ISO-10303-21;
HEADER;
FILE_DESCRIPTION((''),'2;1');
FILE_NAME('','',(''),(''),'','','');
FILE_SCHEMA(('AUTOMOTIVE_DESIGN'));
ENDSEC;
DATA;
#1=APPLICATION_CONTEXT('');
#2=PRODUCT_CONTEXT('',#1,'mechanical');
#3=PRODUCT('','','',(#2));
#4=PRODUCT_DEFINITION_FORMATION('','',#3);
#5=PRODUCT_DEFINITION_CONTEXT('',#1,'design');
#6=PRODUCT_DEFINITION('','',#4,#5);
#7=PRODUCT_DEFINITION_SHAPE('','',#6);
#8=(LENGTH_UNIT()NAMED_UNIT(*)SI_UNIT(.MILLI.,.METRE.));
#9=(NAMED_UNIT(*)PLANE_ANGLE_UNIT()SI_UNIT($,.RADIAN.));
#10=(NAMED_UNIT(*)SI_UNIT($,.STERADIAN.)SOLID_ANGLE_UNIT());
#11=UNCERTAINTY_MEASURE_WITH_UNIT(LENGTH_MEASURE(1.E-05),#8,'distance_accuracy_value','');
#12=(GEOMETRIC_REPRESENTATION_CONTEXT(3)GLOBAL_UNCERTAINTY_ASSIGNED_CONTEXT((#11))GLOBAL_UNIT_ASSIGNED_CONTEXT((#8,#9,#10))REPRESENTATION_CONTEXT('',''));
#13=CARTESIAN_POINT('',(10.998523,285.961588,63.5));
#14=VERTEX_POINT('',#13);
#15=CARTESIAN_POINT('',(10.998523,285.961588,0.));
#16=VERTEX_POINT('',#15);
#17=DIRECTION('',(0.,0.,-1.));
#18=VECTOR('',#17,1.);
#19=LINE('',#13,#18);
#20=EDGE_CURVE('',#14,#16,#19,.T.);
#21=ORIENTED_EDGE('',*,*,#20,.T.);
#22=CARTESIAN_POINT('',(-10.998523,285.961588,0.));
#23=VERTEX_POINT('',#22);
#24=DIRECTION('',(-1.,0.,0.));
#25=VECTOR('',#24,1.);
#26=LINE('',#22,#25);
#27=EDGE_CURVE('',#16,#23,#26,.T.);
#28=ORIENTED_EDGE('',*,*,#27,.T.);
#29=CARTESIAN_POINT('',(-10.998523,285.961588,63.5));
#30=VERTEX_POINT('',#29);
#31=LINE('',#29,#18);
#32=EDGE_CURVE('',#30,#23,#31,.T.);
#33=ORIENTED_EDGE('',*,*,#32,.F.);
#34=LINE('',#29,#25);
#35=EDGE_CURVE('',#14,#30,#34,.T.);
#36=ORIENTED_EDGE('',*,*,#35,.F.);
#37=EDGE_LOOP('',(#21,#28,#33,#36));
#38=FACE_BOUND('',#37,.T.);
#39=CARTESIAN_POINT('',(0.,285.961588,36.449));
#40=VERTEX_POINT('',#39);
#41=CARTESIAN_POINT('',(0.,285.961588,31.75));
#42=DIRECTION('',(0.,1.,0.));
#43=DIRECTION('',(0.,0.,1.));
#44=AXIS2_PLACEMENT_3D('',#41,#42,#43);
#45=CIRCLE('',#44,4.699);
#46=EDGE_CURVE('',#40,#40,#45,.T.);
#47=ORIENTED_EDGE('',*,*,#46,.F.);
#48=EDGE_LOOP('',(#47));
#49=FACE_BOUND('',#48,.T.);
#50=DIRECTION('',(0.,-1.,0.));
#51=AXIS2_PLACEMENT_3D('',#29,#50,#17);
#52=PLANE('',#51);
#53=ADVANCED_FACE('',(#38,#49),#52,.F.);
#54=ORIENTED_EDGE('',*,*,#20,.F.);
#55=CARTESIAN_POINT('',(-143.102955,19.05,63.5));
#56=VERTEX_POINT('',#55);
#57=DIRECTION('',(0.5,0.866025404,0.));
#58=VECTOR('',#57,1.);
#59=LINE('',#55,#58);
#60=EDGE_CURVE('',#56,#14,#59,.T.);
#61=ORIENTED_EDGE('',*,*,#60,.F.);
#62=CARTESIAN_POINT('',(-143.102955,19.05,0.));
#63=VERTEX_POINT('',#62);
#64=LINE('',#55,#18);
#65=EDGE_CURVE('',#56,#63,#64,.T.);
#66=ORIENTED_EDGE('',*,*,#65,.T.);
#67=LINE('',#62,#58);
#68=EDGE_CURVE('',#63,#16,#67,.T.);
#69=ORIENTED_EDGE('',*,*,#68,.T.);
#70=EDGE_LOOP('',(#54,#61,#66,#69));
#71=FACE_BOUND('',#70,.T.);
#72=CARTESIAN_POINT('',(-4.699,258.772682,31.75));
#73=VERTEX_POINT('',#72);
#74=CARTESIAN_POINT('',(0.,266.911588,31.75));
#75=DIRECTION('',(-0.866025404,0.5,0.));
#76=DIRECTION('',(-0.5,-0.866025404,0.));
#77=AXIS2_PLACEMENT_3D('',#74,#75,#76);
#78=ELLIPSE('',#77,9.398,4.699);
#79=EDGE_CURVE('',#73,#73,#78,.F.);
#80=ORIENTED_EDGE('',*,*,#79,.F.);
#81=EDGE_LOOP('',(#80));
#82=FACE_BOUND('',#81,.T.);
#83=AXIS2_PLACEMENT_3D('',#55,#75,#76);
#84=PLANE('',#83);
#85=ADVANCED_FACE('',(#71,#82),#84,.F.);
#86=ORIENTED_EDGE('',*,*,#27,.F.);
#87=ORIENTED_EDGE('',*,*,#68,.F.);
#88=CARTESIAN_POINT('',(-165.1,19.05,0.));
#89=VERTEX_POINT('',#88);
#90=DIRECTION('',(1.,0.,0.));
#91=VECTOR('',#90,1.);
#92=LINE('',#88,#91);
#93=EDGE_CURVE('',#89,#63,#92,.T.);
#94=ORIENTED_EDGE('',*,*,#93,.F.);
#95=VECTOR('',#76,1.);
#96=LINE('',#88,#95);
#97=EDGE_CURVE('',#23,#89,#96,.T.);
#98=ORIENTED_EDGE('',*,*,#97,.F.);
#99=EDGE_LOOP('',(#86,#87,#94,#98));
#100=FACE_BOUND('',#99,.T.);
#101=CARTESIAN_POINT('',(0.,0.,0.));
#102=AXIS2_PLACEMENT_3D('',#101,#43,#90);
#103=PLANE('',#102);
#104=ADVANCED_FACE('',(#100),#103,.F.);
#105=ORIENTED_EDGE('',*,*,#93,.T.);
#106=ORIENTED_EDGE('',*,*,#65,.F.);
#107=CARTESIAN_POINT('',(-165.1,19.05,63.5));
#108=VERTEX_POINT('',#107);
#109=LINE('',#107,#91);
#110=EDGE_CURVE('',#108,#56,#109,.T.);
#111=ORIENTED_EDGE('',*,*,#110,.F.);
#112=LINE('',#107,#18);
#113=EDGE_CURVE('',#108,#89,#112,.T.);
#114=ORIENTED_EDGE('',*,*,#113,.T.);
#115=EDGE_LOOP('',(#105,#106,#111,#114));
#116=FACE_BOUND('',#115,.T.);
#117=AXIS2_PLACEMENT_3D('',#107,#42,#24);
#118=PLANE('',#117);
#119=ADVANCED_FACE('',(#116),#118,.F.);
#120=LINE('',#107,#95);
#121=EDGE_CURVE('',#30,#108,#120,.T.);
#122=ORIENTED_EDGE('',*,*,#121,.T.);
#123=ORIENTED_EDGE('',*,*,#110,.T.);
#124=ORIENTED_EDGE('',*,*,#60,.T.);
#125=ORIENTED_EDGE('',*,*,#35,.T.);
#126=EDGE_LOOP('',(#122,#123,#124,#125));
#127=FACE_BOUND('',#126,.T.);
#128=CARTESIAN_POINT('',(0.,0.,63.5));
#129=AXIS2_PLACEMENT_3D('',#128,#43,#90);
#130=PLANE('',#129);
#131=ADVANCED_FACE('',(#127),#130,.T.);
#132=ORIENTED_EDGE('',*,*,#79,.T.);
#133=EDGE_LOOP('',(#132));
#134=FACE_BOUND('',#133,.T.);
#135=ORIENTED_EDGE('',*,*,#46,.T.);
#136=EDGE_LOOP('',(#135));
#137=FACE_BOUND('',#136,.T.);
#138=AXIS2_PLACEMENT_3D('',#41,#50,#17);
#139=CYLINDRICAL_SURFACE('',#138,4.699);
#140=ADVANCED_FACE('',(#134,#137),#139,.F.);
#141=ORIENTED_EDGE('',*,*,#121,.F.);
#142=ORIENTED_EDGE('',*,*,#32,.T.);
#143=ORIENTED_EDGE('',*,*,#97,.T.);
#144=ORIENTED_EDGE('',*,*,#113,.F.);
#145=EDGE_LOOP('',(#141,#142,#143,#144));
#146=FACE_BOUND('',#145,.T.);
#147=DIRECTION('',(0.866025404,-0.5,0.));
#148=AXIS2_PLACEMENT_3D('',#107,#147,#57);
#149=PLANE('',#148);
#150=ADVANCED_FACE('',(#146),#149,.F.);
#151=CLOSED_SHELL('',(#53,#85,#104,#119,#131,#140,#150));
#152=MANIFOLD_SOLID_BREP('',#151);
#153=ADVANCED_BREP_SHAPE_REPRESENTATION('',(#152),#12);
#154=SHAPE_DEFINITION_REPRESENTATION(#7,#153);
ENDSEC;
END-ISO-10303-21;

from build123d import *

# Parameters (mm, degrees)
LEFT_EXT_DEPTH = 63.5
HOLE_R         = 4.699
HOLE_CUT_DEPTH = 286.961588331


with BuildPart() as part:
    # Left → left_ext (new body)
    with BuildSketch(Plane.XY):
        Polygon((-165.1, 19.05), (-10.998522627, 285.961588331), (10.998522629, 285.961588331), (-143.102954744, 19.05), align=None)
    extrude(amount=LEFT_EXT_DEPTH)

    # hole → hole_cut (cut, through all)
    with BuildSketch(Plane(origin=(0, 0, 0), x_dir=(1, 0, 0), z_dir=(0, 1, 0))):
        with Locations((0, -31.75)):
            Circle(HOLE_R)
    extrude(amount=HOLE_CUT_DEPTH, mode=Mode.SUBTRACT)


solid = part.part
